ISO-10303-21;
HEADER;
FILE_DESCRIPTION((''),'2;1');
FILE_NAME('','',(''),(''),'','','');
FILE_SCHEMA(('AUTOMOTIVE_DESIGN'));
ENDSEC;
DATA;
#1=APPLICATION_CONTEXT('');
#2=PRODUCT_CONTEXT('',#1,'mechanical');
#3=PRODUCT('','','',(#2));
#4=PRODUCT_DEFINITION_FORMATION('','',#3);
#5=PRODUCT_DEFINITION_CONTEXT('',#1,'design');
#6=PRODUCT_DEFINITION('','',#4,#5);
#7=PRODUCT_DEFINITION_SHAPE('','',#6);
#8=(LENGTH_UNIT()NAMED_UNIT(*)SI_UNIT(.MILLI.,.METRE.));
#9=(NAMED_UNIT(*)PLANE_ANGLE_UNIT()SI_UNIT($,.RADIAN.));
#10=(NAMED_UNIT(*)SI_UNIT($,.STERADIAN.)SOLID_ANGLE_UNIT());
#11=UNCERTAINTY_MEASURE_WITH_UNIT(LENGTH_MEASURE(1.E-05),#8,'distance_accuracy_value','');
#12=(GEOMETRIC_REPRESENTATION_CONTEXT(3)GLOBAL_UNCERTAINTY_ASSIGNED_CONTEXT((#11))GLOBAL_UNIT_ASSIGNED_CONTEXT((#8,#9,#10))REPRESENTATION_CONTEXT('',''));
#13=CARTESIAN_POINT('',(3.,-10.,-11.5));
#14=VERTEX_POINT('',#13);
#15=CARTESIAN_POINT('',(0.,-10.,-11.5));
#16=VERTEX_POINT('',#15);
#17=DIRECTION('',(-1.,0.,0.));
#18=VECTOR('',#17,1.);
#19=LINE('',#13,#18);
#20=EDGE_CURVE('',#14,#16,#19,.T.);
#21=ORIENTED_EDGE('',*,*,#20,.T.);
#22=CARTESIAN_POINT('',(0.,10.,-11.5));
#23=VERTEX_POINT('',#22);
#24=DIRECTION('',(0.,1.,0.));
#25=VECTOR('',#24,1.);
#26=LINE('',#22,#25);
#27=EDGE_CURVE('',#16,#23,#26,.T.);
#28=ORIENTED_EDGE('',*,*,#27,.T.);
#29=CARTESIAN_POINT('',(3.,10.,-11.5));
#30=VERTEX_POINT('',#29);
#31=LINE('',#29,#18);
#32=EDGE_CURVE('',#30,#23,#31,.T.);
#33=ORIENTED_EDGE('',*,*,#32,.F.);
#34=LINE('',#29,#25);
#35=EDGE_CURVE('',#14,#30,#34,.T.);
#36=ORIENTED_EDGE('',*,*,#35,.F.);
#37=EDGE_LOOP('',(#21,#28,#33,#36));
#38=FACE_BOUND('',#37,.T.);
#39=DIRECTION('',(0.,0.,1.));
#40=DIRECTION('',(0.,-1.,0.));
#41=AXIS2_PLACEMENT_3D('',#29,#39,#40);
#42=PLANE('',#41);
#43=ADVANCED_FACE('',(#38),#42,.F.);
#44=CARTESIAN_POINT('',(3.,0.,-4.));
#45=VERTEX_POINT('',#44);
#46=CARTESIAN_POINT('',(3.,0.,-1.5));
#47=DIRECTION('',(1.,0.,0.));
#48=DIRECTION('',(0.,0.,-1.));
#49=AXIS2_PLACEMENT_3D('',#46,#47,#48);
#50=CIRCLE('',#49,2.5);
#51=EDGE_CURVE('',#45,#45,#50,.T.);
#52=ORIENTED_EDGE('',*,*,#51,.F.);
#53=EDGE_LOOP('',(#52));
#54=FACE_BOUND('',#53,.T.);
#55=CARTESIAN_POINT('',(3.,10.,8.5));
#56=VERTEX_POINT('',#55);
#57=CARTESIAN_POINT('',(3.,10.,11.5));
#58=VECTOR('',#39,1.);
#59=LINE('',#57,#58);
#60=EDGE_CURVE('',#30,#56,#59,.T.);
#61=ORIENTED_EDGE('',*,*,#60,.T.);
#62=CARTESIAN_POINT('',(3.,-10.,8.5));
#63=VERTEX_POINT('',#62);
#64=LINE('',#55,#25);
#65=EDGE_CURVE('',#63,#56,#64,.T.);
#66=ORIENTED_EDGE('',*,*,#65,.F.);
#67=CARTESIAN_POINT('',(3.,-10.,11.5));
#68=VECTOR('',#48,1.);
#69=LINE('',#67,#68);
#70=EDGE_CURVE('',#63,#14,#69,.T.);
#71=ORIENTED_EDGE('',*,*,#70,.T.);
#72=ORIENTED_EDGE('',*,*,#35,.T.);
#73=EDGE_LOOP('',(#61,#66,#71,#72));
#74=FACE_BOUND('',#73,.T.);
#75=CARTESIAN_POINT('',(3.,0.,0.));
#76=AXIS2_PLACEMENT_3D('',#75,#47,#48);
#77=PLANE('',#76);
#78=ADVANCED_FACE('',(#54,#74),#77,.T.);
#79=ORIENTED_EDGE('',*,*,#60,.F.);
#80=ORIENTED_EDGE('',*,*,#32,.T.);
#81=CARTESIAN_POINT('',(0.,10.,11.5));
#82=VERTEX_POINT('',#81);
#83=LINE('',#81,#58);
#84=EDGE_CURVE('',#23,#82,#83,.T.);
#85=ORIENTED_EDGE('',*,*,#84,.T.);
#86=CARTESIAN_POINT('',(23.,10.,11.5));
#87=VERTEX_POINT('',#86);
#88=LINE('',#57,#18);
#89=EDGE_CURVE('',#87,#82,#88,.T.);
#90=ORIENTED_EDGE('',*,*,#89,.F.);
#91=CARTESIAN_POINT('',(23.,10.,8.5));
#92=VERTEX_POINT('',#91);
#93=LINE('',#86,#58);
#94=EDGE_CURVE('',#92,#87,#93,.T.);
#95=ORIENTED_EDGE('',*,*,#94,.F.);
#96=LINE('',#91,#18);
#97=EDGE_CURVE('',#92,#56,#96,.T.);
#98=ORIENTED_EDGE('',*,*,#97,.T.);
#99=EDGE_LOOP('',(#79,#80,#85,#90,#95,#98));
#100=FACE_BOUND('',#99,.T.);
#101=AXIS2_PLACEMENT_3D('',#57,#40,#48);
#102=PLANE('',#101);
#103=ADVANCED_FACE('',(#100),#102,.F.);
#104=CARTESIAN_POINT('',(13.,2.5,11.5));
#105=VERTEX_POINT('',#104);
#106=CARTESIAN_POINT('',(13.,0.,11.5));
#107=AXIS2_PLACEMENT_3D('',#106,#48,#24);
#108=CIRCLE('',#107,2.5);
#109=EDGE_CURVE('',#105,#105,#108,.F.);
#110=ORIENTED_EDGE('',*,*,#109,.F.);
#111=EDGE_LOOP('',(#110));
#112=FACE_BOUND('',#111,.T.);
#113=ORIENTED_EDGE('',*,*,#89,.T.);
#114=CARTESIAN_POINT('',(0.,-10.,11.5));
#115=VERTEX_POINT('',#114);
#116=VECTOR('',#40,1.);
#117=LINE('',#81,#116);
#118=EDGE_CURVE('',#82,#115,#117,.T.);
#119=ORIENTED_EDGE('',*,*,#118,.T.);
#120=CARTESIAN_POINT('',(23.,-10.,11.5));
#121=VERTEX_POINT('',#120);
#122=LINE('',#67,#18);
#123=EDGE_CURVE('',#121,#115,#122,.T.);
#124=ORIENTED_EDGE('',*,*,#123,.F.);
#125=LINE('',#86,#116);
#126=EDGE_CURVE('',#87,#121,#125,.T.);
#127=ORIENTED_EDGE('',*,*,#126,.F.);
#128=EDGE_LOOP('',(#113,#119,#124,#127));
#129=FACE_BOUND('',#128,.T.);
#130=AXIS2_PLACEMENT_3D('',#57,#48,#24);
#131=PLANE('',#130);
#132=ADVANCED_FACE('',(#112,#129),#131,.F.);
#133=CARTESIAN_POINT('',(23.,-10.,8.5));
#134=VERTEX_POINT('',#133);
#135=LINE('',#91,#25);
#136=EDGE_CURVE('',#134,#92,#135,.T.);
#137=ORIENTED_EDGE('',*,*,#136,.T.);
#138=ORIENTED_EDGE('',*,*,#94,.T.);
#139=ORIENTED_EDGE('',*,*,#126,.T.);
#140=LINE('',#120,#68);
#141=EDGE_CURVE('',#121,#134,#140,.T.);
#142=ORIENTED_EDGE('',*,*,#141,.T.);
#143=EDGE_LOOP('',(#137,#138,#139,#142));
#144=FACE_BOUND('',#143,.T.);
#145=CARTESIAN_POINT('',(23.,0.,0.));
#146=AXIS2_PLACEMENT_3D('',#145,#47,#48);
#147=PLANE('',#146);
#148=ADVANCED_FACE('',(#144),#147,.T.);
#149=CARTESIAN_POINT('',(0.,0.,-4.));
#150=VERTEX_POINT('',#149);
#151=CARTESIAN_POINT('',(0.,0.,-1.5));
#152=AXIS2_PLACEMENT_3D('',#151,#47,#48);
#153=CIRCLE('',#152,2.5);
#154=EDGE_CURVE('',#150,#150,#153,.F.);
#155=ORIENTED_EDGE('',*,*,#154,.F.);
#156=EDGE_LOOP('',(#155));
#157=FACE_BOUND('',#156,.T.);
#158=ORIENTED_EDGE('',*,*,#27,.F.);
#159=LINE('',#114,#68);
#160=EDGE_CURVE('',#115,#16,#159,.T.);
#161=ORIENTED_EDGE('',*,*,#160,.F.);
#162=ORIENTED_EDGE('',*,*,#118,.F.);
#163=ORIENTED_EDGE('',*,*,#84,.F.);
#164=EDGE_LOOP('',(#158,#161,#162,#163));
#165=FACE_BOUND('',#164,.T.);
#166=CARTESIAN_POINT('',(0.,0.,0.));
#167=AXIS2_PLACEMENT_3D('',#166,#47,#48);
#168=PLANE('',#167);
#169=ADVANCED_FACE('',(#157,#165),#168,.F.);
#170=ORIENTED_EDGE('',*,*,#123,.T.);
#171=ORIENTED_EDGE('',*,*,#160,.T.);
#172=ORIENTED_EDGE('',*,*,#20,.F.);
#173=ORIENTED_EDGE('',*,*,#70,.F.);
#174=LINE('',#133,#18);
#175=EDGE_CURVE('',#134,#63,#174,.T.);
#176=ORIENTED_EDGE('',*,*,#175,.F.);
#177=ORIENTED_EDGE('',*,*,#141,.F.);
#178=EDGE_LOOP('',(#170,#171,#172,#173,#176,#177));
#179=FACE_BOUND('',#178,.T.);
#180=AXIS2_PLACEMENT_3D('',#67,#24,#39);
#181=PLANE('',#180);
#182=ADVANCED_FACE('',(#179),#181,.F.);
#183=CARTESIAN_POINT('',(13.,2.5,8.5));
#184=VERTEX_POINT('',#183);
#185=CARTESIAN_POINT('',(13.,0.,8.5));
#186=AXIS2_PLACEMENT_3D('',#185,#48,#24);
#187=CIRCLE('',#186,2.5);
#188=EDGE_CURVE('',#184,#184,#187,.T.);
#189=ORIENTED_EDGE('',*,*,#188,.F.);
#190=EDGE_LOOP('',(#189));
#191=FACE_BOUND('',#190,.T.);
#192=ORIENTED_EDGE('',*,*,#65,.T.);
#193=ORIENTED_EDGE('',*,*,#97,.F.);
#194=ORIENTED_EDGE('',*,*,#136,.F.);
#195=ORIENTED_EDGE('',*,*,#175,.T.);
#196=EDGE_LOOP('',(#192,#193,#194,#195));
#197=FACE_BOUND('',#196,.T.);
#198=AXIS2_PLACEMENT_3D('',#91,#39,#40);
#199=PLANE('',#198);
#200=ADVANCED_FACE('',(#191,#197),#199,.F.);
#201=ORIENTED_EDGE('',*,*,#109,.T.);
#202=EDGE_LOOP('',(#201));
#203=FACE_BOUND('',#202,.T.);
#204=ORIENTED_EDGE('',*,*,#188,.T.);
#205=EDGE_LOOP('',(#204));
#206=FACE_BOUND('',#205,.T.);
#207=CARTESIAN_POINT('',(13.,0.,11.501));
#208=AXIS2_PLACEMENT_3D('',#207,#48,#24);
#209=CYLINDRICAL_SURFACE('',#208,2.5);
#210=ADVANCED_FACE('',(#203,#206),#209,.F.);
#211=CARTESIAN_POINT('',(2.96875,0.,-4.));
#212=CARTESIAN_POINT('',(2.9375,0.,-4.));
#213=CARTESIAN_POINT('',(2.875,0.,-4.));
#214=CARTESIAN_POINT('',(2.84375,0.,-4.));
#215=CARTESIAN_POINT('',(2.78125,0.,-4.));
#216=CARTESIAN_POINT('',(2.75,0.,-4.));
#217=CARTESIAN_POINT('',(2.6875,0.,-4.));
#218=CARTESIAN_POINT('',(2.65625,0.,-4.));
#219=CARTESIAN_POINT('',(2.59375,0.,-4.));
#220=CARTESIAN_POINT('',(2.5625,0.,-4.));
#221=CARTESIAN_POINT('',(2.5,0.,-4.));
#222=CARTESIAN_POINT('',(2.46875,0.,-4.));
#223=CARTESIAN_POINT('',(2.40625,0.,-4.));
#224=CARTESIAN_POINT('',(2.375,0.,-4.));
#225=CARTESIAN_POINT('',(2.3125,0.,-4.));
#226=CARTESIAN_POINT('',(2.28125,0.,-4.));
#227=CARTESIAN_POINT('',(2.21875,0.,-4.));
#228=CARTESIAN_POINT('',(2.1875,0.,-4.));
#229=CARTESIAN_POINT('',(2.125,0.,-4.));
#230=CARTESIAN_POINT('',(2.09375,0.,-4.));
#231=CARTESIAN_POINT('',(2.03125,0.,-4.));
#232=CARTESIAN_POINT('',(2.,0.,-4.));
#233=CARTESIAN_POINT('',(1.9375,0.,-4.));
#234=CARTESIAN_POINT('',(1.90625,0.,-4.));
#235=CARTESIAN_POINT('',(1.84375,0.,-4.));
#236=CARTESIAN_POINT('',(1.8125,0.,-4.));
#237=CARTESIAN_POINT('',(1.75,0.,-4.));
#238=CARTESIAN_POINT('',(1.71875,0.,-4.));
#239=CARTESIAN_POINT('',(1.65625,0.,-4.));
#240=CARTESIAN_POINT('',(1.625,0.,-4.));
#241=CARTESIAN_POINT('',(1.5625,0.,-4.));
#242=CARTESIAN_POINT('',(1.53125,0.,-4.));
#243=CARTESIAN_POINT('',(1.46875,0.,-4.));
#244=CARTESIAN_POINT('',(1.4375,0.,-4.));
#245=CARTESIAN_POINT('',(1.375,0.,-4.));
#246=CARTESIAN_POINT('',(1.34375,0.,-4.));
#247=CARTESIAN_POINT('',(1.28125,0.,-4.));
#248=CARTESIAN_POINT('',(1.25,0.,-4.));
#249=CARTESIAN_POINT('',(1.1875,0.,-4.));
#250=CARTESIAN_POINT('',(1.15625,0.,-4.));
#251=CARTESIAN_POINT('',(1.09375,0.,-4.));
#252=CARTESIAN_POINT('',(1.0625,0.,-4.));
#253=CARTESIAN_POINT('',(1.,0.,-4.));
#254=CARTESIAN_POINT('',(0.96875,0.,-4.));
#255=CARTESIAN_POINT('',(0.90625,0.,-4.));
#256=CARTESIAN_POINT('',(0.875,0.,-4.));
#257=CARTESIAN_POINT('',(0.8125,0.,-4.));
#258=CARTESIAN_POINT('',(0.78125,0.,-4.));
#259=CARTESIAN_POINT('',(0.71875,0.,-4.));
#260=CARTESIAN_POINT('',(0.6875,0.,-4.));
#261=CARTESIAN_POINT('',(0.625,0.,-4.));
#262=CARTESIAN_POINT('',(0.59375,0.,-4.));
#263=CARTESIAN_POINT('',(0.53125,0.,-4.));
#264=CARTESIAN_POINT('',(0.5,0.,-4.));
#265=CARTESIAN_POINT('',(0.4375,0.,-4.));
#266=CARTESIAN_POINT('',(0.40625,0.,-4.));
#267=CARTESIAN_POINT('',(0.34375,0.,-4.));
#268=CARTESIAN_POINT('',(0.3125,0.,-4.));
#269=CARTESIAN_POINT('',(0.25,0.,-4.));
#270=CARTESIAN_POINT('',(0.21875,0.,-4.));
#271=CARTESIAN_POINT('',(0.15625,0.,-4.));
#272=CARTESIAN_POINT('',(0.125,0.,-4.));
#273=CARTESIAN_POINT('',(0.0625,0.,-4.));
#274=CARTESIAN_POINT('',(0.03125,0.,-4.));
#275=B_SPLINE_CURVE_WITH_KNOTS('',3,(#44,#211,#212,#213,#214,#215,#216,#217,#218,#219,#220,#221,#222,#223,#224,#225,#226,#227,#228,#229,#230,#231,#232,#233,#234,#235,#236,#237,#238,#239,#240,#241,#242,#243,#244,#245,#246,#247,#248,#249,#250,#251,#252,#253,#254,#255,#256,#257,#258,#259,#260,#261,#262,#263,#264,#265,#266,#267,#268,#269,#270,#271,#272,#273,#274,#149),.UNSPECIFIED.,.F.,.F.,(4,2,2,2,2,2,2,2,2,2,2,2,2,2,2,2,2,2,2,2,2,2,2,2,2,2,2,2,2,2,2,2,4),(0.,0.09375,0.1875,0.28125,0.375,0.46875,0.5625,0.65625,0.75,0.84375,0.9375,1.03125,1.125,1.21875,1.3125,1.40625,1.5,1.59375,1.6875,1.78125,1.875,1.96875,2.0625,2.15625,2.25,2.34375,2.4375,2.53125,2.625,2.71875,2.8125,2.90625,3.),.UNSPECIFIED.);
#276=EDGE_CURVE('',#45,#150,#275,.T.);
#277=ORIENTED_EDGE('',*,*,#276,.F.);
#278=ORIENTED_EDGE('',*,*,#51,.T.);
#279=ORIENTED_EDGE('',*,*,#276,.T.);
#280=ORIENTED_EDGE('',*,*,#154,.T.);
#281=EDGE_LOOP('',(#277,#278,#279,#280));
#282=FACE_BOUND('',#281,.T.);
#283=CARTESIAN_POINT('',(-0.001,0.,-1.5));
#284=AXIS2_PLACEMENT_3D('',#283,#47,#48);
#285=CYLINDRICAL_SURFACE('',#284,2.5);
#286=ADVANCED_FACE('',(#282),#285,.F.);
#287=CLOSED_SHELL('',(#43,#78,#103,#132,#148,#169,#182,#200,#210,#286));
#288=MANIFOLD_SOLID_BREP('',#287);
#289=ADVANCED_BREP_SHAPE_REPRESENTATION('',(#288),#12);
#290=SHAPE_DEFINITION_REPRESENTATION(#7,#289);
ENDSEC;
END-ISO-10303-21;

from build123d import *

# Parameters (mm, degrees)
SKETCH1_W           = 23
SKETCH1_H           = 20
BOSS_EXTRUDE1_DEPTH = 3
SKETCH2_W           = 3
SKETCH2_H           = 20
BOSS_EXTRUDE2_DEPTH = 20
CUT_EXTRUDE1_REACH  = 27.145
SKETCH3_R           = 2.5
CUT_EXTRUDE2_REACH  = 34.078
SKETCH4_R           = 2.5


with BuildPart() as part:
    # Sketch1 → Boss-Extrude1 (new body)
    with BuildSketch(Plane(origin=(0, 0, 0), x_dir=(0, 0, -1), z_dir=(1, 0, 0))):
        Rectangle(SKETCH1_W, SKETCH1_H)
    extrude(amount=BOSS_EXTRUDE1_DEPTH)

    # Sketch2 → Boss-Extrude2 (add)
    with BuildSketch(Plane(origin=(3, 0, 0), x_dir=(0, 0, -1), z_dir=(1, 0, 0))):
        with Locations((-10, 0)):
            Rectangle(SKETCH2_W, SKETCH2_H)
    extrude(amount=BOSS_EXTRUDE2_DEPTH)

    # Sketch3 → Cut-Extrude1 (cut, up to next)
    with BuildSketch(Plane(origin=(3, 0, 0), x_dir=(0, 0, -1), z_dir=(1, 0, 0)), mode=Mode.PRIVATE) as cut_extrude1_sk1:
        with Locations((1.5, 0)):
            Circle(SKETCH3_R)
    cut_extrude1_tool1 = extrude(cut_extrude1_sk1.sketch, amount=-CUT_EXTRUDE1_REACH, mode=Mode.PRIVATE) & part.part
    add(cut_extrude1_tool1.solids().sort_by_distance((3, 0, -1.5))[0], mode=Mode.SUBTRACT)

    # Sketch4 → Cut-Extrude2 (cut, up to next)
    with BuildSketch(Plane(origin=(0, 0, 8.5), x_dir=(-1, 0, 0), z_dir=(0, 0, -1)), mode=Mode.PRIVATE) as cut_extrude2_sk1:
        with Locations(Location((-13, 0, 0), (0, 0, 90))):
            Circle(SKETCH4_R)
    cut_extrude2_tool1 = extrude(cut_extrude2_sk1.sketch, amount=-CUT_EXTRUDE2_REACH, mode=Mode.PRIVATE) & part.part
    add(cut_extrude2_tool1.solids().sort_by_distance((13, 0, 8.5))[0], mode=Mode.SUBTRACT)


solid = part.part
